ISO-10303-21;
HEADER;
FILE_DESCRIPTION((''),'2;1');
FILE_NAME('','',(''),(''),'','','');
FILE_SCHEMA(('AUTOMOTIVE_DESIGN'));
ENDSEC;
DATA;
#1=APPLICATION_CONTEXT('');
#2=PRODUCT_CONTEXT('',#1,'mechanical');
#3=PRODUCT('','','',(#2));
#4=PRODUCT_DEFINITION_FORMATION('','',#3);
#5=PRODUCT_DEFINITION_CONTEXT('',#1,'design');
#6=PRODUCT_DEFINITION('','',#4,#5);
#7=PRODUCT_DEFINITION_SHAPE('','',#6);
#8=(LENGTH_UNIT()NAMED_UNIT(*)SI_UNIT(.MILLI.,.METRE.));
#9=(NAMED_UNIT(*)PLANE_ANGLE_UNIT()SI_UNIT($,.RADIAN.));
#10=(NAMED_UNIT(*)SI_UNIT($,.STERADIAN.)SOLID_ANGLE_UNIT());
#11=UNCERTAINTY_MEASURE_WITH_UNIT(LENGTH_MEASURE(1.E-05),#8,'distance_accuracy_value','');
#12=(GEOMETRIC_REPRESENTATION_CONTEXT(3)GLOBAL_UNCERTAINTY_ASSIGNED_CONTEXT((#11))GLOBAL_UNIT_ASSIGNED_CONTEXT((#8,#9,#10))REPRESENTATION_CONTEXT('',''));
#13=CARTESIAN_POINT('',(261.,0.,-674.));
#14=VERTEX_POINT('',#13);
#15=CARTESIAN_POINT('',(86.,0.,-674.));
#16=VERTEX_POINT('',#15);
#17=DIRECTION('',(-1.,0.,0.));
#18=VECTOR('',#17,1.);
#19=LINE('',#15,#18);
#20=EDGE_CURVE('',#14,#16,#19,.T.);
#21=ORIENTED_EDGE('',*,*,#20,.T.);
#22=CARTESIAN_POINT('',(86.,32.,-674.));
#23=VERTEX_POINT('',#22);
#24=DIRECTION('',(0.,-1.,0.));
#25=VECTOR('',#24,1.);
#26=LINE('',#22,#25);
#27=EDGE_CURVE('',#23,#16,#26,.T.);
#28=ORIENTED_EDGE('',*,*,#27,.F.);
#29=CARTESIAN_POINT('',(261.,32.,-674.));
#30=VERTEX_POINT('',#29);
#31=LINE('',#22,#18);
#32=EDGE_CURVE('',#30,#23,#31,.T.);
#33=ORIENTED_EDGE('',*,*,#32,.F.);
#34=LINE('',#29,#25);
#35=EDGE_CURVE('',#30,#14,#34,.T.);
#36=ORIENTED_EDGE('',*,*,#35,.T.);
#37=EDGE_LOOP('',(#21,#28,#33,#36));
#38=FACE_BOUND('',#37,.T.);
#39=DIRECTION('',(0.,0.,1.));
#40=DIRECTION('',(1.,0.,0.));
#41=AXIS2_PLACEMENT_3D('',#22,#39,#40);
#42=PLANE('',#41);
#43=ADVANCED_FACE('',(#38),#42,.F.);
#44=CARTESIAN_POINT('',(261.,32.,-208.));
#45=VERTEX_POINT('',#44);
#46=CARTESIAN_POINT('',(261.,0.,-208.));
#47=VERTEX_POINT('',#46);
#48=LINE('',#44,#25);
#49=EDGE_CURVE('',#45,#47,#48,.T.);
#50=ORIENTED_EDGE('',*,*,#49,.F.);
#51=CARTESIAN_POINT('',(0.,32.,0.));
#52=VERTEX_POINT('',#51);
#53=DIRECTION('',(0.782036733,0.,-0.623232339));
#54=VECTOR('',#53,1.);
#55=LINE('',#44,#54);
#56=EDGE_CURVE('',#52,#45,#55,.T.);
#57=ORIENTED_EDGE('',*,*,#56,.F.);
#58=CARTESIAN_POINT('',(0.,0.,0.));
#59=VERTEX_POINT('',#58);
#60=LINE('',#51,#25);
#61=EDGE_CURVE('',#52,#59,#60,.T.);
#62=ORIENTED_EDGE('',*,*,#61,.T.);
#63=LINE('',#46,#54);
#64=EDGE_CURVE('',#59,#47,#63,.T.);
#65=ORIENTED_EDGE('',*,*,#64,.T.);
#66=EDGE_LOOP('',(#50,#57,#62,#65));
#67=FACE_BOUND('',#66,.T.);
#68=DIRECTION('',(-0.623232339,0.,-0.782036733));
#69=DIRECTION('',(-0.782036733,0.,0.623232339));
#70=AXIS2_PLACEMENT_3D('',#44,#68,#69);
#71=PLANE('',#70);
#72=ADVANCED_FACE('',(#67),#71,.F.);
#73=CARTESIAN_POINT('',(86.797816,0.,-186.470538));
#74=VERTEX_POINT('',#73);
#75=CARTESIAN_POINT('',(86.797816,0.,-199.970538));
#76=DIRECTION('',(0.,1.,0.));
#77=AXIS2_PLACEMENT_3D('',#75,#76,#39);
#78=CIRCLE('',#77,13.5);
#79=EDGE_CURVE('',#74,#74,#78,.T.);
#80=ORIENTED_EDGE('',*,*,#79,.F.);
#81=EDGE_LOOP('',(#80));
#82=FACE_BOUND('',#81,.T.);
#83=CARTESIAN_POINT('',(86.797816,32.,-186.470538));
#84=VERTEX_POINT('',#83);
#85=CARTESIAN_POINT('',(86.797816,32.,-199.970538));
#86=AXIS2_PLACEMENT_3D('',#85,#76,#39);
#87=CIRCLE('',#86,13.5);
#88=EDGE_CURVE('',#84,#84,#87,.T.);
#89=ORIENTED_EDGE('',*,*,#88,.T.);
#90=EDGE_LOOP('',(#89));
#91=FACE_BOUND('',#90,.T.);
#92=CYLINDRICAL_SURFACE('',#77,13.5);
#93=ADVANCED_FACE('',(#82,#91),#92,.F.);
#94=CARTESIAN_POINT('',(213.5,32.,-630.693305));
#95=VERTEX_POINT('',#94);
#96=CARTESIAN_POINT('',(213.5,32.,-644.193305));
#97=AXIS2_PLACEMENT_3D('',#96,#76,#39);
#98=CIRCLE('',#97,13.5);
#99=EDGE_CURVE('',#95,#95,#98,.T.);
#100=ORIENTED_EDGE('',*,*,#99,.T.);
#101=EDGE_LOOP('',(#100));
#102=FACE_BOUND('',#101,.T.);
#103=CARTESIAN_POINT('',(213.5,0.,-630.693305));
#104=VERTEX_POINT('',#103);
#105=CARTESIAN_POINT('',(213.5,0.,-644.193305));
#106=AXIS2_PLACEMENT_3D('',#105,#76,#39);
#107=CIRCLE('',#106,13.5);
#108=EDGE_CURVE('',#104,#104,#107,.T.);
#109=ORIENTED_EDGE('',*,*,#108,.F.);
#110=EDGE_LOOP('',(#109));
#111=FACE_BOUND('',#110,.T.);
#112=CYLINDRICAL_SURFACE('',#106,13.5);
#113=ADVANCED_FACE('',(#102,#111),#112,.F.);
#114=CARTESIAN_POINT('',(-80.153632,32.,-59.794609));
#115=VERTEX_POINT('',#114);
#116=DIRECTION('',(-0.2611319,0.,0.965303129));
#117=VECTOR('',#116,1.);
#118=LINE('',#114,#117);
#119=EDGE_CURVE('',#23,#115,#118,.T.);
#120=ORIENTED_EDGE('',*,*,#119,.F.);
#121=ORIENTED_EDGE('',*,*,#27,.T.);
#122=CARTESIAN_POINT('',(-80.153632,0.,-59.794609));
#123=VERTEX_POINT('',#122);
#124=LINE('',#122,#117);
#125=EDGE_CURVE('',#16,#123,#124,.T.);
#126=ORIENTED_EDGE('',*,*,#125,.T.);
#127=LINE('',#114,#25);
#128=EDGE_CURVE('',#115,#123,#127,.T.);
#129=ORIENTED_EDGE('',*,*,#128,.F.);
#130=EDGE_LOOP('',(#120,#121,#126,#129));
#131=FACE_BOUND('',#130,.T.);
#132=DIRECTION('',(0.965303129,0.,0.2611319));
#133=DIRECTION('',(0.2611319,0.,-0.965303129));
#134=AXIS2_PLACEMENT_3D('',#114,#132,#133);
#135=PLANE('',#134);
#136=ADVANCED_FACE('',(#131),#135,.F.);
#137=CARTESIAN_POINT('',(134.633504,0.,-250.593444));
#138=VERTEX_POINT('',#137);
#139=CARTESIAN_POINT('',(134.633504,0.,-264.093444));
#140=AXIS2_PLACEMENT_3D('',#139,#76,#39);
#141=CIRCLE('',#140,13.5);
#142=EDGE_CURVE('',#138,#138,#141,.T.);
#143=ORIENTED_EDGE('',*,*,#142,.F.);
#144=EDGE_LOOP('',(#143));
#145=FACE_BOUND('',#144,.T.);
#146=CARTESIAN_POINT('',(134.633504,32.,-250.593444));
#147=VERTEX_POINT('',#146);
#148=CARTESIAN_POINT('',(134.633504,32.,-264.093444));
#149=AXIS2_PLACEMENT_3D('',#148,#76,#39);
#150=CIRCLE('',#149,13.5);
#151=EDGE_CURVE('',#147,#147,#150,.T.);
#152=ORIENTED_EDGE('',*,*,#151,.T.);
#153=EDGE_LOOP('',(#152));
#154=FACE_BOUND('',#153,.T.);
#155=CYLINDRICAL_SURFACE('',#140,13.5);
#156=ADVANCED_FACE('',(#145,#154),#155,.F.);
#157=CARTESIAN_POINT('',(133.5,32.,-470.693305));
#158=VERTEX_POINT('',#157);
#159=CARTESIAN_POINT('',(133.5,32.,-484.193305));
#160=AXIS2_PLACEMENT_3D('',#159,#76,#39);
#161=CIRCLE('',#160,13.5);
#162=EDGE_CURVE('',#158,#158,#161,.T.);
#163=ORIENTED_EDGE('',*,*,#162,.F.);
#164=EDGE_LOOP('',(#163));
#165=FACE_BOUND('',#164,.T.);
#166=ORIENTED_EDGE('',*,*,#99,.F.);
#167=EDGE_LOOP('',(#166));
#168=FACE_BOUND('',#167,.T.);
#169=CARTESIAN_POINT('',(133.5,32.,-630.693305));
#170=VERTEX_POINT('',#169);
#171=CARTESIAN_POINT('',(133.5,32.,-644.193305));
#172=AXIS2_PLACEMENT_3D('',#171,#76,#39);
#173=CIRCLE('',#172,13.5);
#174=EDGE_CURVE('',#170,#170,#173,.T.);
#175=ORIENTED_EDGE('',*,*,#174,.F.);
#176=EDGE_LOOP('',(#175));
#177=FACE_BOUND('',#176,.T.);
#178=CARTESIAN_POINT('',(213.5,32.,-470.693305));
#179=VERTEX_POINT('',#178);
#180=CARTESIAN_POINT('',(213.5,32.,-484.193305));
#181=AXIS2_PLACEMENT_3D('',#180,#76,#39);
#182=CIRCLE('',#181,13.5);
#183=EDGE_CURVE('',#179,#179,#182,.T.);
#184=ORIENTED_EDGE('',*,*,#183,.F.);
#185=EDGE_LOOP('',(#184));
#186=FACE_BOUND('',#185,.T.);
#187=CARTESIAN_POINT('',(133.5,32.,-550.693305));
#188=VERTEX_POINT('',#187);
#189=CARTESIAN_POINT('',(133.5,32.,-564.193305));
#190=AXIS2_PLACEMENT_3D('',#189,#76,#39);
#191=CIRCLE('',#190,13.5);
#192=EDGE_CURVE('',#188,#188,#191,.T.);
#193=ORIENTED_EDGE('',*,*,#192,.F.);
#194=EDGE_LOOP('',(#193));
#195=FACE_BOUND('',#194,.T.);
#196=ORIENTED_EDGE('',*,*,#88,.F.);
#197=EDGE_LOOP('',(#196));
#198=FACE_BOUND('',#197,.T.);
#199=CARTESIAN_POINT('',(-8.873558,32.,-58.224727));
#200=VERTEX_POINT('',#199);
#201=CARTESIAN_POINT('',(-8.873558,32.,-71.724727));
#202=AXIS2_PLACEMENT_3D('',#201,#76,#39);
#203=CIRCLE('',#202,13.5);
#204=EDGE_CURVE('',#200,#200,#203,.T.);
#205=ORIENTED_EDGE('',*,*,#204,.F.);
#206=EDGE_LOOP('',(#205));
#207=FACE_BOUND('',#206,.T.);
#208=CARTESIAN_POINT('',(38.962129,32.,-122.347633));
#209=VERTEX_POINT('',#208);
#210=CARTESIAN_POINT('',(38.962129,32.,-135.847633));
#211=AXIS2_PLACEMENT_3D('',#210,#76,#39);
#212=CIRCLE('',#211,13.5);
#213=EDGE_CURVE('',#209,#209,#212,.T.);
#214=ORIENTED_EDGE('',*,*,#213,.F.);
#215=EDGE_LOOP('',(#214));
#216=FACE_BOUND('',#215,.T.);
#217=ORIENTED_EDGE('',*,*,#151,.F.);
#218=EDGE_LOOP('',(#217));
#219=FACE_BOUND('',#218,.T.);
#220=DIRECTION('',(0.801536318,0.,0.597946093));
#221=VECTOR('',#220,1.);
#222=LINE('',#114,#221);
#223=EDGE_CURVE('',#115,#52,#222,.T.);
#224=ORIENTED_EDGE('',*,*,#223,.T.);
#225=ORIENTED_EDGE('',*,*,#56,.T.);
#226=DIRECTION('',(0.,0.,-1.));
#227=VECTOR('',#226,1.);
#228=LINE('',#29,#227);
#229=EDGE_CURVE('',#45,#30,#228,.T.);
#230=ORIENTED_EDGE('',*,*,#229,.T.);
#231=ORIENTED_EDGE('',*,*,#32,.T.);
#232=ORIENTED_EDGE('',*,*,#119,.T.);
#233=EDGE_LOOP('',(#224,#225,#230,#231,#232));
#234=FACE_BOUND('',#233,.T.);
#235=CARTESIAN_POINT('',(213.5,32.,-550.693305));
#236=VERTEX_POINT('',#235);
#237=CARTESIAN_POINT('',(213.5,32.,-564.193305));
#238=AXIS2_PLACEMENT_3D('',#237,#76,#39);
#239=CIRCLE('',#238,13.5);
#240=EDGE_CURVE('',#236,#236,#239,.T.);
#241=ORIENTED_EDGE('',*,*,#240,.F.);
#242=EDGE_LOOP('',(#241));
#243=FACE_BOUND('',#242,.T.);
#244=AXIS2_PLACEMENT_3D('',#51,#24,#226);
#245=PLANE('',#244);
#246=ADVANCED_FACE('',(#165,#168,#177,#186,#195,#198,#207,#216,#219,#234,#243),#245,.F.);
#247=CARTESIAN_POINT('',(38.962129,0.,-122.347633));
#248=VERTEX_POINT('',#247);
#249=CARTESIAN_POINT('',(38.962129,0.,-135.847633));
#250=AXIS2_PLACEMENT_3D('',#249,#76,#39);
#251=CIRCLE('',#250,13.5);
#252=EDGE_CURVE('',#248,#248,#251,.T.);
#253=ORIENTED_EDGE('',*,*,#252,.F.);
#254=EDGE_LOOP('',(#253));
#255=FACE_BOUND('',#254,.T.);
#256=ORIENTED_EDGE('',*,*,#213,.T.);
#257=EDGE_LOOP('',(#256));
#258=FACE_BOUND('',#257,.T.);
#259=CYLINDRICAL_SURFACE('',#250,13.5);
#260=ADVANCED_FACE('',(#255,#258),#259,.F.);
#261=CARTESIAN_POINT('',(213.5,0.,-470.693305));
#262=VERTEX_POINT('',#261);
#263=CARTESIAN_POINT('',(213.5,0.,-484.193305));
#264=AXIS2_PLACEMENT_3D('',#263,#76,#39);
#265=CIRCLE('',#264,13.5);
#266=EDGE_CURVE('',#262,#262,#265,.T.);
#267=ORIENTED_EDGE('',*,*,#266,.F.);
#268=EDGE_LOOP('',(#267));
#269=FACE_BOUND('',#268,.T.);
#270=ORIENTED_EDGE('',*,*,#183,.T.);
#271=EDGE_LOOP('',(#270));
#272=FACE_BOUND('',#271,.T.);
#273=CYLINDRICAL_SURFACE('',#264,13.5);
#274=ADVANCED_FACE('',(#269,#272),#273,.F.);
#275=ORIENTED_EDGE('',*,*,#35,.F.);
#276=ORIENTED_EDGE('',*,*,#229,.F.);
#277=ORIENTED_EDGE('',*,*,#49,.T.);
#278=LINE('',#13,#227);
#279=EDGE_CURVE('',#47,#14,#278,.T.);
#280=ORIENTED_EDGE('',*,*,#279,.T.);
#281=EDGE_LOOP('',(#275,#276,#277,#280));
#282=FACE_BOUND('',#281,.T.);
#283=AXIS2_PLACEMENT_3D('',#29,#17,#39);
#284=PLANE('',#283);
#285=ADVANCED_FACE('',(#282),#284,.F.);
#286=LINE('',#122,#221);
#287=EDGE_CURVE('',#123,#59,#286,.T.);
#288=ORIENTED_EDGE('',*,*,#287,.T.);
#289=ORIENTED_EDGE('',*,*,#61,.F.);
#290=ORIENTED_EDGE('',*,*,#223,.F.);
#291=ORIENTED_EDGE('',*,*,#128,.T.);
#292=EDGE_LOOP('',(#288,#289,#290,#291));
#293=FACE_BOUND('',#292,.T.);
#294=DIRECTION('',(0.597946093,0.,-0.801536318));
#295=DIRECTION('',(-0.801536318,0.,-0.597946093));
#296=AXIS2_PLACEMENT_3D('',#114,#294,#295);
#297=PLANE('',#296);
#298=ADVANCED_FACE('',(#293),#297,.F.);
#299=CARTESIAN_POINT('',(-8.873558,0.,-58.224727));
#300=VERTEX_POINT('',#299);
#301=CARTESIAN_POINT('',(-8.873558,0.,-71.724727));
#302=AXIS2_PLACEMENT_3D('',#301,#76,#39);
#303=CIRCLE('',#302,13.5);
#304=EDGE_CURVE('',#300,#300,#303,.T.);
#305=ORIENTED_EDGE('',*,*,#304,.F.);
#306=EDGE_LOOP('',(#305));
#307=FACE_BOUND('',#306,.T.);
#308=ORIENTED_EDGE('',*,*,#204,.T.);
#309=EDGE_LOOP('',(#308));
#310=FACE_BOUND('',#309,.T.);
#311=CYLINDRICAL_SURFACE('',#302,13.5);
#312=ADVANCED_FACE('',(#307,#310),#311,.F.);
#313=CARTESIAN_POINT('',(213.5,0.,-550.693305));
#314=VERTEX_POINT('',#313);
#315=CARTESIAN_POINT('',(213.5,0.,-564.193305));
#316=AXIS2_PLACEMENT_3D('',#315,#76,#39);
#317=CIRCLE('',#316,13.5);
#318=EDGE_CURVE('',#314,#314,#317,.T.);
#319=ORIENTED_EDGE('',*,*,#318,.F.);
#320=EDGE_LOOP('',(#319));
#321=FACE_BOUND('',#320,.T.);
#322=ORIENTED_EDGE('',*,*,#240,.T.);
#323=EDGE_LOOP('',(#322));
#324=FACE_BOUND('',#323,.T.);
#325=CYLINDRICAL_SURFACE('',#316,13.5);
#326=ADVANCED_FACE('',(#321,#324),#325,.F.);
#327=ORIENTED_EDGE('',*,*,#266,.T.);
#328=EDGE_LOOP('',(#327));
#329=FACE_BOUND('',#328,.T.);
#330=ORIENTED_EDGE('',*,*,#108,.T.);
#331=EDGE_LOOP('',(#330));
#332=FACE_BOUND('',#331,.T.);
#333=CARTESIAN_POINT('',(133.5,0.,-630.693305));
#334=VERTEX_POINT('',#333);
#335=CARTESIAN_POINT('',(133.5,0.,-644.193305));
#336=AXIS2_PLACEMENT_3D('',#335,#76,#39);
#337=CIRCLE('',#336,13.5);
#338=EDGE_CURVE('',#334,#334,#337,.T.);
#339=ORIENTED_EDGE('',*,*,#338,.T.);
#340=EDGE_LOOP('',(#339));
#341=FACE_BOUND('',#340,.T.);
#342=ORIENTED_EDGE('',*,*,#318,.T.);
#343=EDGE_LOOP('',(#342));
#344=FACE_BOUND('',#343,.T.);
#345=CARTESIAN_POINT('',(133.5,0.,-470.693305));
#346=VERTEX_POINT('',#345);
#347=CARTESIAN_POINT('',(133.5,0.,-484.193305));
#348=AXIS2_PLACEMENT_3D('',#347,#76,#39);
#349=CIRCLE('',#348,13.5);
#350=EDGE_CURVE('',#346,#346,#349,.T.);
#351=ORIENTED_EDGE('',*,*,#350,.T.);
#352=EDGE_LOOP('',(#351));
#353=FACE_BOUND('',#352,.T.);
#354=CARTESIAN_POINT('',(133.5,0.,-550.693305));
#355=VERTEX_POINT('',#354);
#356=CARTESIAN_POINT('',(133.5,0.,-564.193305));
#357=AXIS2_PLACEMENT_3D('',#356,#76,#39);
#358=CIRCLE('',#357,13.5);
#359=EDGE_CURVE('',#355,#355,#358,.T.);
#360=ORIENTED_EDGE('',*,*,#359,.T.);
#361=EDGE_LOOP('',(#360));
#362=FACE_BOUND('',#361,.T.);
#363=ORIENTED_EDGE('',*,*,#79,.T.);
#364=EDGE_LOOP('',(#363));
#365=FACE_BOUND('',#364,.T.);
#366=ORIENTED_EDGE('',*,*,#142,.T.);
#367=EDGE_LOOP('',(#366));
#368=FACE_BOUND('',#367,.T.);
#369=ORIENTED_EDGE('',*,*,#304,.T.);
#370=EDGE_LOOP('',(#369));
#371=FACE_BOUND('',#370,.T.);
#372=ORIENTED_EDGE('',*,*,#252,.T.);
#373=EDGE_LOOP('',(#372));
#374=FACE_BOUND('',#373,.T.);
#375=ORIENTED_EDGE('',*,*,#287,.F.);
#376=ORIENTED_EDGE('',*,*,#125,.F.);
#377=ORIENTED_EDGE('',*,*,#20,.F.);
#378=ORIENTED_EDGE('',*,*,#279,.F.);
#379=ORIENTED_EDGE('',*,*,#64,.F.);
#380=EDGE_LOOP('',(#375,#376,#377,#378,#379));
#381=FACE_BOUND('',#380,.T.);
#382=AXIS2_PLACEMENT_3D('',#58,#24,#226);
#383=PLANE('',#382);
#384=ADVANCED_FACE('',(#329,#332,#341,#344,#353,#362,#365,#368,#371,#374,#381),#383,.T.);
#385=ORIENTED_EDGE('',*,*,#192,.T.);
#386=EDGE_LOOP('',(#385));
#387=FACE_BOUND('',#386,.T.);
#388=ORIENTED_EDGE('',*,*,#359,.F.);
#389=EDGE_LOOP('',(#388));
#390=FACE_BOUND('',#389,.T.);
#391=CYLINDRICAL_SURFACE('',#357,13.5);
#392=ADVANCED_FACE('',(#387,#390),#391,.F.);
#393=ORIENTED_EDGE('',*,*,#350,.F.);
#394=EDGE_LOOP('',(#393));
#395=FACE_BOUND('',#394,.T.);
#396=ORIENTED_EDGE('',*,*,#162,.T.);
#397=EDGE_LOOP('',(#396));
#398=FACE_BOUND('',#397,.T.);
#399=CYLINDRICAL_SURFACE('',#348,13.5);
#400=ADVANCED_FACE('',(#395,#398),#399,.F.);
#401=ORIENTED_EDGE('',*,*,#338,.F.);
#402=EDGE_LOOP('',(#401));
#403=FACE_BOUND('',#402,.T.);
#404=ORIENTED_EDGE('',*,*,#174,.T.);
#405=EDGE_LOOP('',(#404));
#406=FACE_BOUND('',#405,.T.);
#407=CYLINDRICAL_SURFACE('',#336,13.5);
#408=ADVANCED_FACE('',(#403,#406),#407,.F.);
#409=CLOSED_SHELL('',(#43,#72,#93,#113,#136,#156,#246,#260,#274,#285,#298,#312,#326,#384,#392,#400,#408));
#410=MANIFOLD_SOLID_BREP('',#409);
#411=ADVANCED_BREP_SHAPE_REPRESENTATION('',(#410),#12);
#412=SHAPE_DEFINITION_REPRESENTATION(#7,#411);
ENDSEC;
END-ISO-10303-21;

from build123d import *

# Parameters (mm, degrees)
EXTRUDE_1_DEPTH     = 32
SKETCH_2_R          = 13.5
CUT_EXTRUDE_1_DEPTH = 724.478403271


with BuildPart() as part:
    # 草图1 → 凸台-拉伸1 (new body)
    with BuildSketch(Plane(origin=(0, 0, 0), x_dir=(1, 0, 0), z_dir=(0, 1, 0))):
        Polygon((-80.153631821, 59.794609338), (86, 674), (261, 674), (261, 208), (0, 0), align=None)
    extrude(amount=EXTRUDE_1_DEPTH)

    # 草图2 → 切除-拉伸1 (cut, through all)
    with BuildSketch(Plane(origin=(0, 32, 0), x_dir=(1, 0, 0), z_dir=(0, 1, 0))):
        with Locations(Location((133.5, 644.193304549, 0), (0, 0, 270))):
            Circle(SKETCH_2_R)
        with Locations(Location((213.5, 644.193304549, 0), (0, 0, 270))):
            Circle(SKETCH_2_R)
        with Locations(Location((133.5, 564.193304549, 0), (0, 0, 270))):
            Circle(SKETCH_2_R)
        with Locations(Location((213.5, 564.193304549, 0), (0, 0, 270))):
            Circle(SKETCH_2_R)
        with Locations(Location((133.5, 484.193304549, 0), (0, 0, 270))):
            Circle(SKETCH_2_R)
        with Locations(Location((213.5, 484.193304549, 0), (0, 0, 270))):
            Circle(SKETCH_2_R)
        with Locations(Location((134.63350393, 264.093443866, 0), (0, 0, 270))):
            Circle(SKETCH_2_R)
        with Locations(Location((-8.873558482, 71.724727496, 0), (0, 0, 270))):
            Circle(SKETCH_2_R)
        with Locations(Location((86.797816459, 199.970538409, 0), (0, 0, 270))):
            Circle(SKETCH_2_R)
        with Locations(Location((38.962128989, 135.847632952, 0), (0, 0, 270))):
            Circle(SKETCH_2_R)
    extrude(amount=-CUT_EXTRUDE_1_DEPTH, mode=Mode.SUBTRACT)


solid = part.part
